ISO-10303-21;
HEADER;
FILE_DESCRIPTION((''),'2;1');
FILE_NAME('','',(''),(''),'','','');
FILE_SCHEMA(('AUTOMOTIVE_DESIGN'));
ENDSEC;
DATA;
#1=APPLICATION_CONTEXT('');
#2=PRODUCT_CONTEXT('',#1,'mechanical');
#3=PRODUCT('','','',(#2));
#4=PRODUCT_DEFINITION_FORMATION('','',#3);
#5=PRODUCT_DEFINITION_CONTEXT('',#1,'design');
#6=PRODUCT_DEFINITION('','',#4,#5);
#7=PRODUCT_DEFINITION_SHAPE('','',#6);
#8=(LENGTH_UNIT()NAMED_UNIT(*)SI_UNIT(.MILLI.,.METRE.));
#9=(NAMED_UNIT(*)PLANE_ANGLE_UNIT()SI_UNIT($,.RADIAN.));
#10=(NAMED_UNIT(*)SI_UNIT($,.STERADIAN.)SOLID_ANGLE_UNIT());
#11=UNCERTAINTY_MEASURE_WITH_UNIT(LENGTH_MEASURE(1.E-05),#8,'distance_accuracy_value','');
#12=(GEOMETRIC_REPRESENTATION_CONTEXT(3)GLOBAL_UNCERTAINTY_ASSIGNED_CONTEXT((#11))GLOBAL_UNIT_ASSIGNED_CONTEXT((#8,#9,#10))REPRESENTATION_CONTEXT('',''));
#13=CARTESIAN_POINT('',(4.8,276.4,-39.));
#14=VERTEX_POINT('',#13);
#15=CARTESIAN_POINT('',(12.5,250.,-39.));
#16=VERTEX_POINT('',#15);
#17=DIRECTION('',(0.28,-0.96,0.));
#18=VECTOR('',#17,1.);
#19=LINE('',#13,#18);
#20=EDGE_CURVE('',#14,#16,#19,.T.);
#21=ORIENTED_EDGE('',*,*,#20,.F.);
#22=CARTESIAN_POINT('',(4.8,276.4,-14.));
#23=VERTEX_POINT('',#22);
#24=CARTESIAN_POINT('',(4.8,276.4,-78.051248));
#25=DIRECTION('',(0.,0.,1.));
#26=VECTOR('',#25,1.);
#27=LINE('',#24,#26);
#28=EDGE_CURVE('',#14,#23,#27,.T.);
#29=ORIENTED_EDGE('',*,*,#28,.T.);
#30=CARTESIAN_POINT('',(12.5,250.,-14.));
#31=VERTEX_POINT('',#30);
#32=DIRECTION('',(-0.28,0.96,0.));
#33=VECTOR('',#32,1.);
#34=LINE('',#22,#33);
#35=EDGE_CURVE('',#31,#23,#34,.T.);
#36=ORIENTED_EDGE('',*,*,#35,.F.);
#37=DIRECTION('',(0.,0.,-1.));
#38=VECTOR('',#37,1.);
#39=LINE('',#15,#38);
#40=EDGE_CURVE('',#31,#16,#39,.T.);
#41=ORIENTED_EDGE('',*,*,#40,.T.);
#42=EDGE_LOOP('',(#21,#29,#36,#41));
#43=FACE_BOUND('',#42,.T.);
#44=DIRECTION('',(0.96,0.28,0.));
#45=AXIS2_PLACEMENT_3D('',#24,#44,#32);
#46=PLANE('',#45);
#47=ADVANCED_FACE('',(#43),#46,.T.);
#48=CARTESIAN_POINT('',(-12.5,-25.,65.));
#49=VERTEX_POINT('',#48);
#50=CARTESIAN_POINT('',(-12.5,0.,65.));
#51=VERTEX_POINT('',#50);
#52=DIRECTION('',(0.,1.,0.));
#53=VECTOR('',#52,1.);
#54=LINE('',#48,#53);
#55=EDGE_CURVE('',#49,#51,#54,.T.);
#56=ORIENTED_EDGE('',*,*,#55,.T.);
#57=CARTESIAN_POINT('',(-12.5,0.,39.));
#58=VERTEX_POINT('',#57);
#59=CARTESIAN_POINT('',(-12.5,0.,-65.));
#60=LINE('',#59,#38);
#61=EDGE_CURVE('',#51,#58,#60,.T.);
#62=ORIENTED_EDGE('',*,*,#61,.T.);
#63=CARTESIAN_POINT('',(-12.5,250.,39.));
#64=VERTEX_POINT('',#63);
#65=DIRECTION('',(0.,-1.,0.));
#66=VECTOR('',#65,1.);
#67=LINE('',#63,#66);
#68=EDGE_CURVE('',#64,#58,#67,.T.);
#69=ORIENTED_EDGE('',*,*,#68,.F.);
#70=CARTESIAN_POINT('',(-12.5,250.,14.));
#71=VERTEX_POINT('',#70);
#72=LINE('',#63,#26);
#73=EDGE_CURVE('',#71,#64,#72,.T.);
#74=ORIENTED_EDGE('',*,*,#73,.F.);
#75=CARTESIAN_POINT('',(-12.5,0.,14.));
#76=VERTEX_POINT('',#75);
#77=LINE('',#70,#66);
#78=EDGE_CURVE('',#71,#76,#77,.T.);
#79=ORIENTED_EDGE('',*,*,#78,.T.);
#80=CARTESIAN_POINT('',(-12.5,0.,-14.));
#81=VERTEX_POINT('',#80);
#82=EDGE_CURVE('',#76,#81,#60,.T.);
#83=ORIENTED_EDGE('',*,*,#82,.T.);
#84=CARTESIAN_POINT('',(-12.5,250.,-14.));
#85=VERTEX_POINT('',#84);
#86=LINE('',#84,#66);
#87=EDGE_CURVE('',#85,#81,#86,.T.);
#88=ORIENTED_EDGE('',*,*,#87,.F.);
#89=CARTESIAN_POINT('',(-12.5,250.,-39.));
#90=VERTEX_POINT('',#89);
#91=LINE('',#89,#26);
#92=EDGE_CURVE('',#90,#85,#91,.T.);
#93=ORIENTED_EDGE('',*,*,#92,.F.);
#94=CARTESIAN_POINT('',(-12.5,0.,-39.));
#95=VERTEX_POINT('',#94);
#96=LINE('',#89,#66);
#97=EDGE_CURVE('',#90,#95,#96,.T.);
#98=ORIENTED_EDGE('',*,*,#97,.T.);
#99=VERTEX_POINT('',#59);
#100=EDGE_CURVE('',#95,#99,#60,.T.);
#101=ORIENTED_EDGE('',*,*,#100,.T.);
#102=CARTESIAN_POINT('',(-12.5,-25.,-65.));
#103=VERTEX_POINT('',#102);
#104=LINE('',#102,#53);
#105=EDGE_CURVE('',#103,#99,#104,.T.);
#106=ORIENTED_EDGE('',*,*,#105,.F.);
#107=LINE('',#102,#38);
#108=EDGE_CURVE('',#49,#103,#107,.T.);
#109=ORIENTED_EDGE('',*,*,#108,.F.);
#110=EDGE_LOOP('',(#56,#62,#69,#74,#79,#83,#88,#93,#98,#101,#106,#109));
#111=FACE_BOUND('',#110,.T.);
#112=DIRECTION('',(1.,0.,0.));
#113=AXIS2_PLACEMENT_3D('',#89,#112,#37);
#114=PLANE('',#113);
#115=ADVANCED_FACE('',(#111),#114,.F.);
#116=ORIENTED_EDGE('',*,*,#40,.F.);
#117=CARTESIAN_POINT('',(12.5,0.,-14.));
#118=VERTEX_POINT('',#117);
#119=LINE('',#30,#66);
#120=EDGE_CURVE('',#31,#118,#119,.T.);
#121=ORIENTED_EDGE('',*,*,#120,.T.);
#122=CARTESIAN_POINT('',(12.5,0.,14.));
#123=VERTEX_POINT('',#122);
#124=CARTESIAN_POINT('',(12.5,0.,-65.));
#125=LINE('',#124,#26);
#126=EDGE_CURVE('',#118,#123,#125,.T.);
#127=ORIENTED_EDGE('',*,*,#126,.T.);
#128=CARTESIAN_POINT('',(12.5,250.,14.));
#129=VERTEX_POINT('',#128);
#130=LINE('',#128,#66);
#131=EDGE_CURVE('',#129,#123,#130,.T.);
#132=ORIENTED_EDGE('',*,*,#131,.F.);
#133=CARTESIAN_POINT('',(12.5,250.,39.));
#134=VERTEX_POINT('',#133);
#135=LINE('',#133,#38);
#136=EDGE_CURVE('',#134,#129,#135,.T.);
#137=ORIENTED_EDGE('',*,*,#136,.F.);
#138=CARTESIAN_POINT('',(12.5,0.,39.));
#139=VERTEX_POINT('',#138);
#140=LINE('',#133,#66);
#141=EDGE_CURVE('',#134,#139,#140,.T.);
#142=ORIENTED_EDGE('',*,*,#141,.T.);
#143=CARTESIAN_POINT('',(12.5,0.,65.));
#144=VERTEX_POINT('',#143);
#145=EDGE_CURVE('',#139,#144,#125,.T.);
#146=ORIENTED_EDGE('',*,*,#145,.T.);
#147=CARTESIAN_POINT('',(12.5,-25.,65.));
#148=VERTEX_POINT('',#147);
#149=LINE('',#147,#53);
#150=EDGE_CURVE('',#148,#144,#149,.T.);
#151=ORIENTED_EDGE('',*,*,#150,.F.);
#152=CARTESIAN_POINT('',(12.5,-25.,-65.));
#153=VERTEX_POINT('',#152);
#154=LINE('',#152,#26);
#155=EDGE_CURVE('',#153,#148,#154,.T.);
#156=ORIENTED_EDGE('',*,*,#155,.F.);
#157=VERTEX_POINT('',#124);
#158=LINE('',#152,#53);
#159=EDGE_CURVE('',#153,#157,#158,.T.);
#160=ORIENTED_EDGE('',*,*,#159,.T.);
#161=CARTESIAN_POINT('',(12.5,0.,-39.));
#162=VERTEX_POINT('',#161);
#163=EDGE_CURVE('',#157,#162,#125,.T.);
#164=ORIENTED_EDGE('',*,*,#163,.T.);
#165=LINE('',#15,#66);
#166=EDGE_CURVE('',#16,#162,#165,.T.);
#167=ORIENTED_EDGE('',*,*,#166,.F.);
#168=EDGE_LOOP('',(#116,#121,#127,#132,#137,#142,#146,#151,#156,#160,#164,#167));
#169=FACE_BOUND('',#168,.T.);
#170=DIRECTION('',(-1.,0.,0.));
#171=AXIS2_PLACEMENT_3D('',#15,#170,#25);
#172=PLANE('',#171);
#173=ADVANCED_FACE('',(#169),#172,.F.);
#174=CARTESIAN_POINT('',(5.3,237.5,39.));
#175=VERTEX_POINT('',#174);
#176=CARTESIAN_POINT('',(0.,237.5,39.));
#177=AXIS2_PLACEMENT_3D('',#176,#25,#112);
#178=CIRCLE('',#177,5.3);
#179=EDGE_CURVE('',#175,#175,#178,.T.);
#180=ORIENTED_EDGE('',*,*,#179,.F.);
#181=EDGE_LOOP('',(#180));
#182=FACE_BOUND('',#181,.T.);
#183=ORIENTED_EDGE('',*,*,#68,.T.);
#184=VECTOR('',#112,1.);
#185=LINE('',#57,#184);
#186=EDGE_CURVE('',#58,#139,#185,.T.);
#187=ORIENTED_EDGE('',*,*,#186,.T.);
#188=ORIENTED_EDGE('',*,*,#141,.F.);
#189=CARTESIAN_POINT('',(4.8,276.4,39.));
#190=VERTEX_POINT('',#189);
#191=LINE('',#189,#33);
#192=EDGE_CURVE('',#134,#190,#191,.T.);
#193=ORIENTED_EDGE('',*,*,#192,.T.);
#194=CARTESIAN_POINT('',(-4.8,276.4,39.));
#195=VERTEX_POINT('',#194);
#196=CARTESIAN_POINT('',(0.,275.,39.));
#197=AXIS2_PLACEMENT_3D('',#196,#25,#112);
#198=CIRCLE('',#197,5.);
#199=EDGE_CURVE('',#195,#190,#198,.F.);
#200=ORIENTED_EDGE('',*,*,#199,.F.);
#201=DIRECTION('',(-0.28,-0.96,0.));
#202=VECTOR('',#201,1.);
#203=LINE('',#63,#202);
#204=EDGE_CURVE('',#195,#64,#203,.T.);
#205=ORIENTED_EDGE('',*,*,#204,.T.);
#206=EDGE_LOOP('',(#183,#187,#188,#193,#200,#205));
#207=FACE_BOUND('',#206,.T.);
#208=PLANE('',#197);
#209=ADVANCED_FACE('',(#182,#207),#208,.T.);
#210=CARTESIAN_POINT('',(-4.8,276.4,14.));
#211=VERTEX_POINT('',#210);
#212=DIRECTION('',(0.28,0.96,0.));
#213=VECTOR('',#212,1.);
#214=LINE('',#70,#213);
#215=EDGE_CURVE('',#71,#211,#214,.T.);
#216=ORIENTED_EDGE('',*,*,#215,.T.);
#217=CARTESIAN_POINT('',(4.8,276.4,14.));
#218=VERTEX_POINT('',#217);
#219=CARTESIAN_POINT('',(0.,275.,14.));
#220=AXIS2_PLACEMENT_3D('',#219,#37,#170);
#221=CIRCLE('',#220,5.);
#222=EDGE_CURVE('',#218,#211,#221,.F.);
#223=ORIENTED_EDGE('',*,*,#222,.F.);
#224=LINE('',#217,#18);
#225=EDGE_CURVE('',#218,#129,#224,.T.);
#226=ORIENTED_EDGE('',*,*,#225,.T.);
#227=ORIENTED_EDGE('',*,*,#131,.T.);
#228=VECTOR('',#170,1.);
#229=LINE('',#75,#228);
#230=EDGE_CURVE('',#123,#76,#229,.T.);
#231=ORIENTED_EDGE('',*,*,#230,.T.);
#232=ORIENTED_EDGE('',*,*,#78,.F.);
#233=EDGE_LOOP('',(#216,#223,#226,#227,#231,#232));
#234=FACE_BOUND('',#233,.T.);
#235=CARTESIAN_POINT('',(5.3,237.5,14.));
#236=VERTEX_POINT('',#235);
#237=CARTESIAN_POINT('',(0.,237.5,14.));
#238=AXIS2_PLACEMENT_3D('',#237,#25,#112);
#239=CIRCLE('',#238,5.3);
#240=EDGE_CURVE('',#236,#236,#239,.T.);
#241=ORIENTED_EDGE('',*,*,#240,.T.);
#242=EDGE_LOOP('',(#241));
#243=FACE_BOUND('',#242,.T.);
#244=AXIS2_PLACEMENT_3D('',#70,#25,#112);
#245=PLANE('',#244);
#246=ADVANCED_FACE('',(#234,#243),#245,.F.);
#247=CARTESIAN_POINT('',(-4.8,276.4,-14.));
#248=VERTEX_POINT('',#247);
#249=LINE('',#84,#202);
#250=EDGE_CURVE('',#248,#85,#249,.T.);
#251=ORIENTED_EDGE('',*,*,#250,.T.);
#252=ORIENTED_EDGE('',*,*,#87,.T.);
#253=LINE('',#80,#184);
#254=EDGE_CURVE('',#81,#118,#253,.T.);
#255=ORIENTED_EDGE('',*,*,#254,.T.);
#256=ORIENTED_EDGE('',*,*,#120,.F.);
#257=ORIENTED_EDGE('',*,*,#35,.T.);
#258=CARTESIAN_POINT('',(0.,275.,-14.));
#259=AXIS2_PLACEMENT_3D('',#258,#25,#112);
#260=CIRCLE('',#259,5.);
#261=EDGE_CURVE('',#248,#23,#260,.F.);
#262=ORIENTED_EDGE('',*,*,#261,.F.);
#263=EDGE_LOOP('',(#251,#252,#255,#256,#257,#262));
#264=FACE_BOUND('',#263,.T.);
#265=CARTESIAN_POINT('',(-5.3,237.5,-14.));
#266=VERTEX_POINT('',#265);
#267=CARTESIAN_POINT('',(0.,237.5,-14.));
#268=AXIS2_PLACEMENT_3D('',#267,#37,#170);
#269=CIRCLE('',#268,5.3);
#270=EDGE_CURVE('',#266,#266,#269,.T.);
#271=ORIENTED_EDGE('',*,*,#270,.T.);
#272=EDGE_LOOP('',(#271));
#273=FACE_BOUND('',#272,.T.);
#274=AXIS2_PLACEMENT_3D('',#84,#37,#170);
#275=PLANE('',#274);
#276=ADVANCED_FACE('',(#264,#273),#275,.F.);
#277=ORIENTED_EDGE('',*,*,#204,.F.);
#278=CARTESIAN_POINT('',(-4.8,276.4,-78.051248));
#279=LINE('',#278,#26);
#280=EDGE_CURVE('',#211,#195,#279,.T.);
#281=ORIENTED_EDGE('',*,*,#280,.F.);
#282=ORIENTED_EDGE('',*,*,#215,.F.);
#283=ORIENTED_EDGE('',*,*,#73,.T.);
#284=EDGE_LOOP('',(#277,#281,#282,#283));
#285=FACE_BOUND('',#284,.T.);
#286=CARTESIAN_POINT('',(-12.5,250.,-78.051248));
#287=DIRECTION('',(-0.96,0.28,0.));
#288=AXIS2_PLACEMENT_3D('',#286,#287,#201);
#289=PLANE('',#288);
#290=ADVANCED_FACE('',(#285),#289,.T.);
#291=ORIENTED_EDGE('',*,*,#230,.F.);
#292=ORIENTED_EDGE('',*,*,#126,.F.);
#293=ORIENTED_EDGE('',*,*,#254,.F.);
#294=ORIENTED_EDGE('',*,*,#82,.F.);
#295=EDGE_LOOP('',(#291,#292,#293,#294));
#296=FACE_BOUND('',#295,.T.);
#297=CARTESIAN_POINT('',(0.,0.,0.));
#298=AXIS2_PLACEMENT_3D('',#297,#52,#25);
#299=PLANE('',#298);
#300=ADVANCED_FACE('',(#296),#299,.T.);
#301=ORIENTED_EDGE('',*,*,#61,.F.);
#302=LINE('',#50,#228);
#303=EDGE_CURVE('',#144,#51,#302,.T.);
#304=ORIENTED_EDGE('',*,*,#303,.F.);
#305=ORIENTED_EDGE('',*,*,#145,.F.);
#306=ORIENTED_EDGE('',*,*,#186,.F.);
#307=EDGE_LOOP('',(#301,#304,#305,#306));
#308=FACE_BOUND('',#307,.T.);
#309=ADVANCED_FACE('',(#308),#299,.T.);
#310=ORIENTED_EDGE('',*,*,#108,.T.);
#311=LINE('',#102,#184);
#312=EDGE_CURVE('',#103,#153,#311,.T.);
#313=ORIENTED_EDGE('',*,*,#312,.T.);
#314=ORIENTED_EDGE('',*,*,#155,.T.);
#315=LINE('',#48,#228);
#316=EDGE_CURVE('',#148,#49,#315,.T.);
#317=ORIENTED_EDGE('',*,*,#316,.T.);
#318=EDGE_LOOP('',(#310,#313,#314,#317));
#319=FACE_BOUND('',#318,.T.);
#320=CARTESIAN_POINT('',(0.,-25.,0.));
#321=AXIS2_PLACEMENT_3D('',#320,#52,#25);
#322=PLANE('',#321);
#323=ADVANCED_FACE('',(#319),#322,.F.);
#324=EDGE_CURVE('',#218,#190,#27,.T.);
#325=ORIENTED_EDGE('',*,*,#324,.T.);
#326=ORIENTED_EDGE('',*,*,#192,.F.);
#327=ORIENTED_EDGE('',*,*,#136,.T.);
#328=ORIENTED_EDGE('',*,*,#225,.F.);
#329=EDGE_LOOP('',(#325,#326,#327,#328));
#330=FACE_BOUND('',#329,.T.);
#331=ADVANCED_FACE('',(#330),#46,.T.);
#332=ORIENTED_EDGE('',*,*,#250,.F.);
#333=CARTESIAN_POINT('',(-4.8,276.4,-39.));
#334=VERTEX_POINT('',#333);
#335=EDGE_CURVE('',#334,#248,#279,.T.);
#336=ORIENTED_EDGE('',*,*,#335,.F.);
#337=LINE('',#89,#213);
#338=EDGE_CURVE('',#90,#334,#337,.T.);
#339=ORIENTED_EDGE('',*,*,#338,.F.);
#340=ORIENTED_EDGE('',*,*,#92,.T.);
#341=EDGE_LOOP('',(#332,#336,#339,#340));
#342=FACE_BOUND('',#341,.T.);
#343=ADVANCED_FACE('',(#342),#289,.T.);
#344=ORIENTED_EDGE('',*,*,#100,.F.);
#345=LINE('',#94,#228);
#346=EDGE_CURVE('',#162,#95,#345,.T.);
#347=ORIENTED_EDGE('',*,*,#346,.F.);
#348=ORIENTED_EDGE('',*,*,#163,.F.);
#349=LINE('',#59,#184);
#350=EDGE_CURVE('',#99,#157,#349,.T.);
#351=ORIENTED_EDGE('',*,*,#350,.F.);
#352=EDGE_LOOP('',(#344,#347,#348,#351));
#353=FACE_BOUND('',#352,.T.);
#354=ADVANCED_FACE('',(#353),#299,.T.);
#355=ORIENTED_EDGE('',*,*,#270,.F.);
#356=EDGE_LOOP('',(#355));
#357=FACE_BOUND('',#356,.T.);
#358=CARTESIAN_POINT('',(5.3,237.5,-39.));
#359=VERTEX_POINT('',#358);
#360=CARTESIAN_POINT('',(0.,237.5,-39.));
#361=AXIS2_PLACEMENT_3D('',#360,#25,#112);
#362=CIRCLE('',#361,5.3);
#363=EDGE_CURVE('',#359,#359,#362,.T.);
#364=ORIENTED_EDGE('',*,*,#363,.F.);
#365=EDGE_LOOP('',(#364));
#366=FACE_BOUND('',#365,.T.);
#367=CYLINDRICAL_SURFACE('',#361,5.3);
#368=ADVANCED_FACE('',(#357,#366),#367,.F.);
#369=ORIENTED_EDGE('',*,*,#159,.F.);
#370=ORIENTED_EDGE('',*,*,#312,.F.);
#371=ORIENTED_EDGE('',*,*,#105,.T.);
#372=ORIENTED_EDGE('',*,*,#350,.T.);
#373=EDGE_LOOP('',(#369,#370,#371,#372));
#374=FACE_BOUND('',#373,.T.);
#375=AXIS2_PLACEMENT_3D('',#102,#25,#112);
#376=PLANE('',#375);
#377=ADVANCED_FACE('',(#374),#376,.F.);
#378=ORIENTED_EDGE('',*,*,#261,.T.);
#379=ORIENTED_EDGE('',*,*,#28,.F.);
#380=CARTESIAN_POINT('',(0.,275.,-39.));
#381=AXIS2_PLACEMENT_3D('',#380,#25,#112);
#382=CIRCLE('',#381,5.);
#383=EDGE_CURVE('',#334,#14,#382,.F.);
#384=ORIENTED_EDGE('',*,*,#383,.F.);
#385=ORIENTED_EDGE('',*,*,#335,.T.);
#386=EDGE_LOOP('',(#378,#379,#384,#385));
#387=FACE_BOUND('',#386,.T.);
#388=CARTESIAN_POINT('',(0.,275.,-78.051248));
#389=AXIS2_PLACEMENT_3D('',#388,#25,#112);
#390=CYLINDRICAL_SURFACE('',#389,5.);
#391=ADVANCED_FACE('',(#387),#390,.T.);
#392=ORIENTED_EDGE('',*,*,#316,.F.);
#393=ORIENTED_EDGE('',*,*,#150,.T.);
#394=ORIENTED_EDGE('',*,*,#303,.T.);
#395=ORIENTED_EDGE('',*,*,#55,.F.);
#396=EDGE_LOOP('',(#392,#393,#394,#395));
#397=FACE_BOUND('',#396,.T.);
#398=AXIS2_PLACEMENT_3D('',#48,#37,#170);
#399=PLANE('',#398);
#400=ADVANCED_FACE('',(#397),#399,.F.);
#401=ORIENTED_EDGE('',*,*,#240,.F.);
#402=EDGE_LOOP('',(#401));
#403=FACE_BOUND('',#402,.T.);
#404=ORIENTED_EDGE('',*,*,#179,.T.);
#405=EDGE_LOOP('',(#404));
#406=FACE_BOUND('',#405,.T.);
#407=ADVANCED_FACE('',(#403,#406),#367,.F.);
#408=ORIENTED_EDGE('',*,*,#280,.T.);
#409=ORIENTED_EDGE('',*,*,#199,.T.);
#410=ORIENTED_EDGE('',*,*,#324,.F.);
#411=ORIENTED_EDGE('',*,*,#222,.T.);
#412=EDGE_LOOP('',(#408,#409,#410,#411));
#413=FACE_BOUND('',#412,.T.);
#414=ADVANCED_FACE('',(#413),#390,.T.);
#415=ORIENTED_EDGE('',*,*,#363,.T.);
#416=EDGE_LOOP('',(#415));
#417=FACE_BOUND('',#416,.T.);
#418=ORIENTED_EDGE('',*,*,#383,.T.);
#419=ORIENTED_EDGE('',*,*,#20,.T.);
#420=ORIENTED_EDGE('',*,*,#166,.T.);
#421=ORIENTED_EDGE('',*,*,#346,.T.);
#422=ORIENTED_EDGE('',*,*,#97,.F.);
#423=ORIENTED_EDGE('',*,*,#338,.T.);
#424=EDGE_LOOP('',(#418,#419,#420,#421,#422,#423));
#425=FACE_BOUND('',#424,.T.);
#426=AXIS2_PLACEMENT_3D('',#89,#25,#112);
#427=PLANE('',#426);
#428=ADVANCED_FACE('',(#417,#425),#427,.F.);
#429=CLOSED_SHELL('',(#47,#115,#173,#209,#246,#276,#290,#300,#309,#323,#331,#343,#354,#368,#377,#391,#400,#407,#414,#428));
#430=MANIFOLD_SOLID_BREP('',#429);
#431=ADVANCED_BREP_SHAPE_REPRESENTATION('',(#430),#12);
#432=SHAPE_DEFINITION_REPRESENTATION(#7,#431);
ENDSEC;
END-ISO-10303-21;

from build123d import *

# Parameters (mm, degrees)
SKETCH1_W             = 25
SKETCH1_H             = 25
BOSS_EXTRUDE1_DEPTH   = 250
BOSS_EXTRUDE1_2_DEPTH = 250
SKETCH2_R             = 5.3
CUT_EXTRUDE1_DEPTH    = 263.183618863
BOSS_EXTRUDE2_REACH   = 264.184
SKETCH4_W             = 25
SKETCH4_H             = 28
CUT_EXTRUDE2_DEPTH    = 254.332291665
BOSS_EXTRUDE3_START   = -53
SKETCH5_R             = 5
BOSS_EXTRUDE3_DEPTH   = 28
SKETCH6_W             = 25
SKETCH6_H             = 130
BOSS_EXTRUDE4_DEPTH   = 25
SKETCH7_W             = 25
SKETCH7_H             = 28
CUT_EXTRUDE3_DEPTH    = 323


with BuildPart() as part:
    # Sketch1 → Boss-Extrude1 (new body)
    with BuildSketch(Plane(origin=(0, 0, 0), x_dir=(1, 0, 0), z_dir=(0, 1, 0))):
        with Locations((0, 26.5)):
            Rectangle(SKETCH1_W, SKETCH1_H)
    extrude(amount=BOSS_EXTRUDE1_DEPTH)


with BuildPart() as body_2:
    # Sketch1 → Boss-Extrude1 2 (new body)
    with BuildSketch(Plane(origin=(0, 0, 0), x_dir=(1, 0, 0), z_dir=(0, 1, 0))):
        with Locations((0, -26.5)):
            Rectangle(SKETCH1_W, SKETCH1_H)
    extrude(amount=BOSS_EXTRUDE1_2_DEPTH)


with BuildPart() as cut_extrude1_tool:
    # Sketch2 → Cut-Extrude1 (new, through all)
    with BuildSketch(Plane.XY.offset(39)):
        with Locations((0, 237.5)):
            Circle(SKETCH2_R)
    extrude(amount=-CUT_EXTRUDE1_DEPTH)


with BuildPart() as part_1:
    add(part.part)

    # Cut-Extrude1: cut by cut_extrude1_tool
    add(cut_extrude1_tool.part, mode=Mode.SUBTRACT)

    # Boss-Extrude2: up to this face of the body (flat: up to its plane)
    boss_extrude2_end = Plane(part_1.part.faces().sort_by_distance((0, 123.388798443, -39))[0])
    # Sketch3 → Boss-Extrude2 (add, up to the picked face)
    with BuildSketch(Plane.XY.offset(39), mode=Mode.PRIVATE) as boss_extrude2_sk1:
        with BuildLine():
            Line((-12.5, 250), (-4.8, 276.4))
            ThreePointArc((-4.8, 276.4), (0, 280), (4.8, 276.4))
            Line((4.8, 276.4), (12.5, 250))
            Line((12.5, 250), (-12.5, 250))
        make_face()
    boss_extrude2_tool1 = split(extrude(boss_extrude2_sk1.sketch, amount=-BOSS_EXTRUDE2_REACH, mode=Mode.PRIVATE), bisect_by=boss_extrude2_end, keep=Keep.BOTH, mode=Mode.PRIVATE)


with BuildPart() as body_2_1:
    add(body_2.part)

    # Cut-Extrude1: cut by cut_extrude1_tool
    add(cut_extrude1_tool.part, mode=Mode.SUBTRACT)


with BuildPart() as part_2:
    add(part_1.part)

    add(body_2_1.part)  # Boss-Extrude2 merges body 2
    add(boss_extrude2_tool1.solids().sort_by(Axis((0, 262.12086, 39), (0, 0, -1)))[0])

    # Sketch4 → Cut-Extrude2 (cut, through all)
    with BuildSketch(Plane.XZ.offset(-250)):
        Rectangle(SKETCH4_W, SKETCH4_H)
    extrude(amount=-CUT_EXTRUDE2_DEPTH, mode=Mode.SUBTRACT)


with BuildPart() as cut_extrude2_piece_1:
    # of the separate pieces the step leaves, piece 1, a body of its own (cut_extrude2_pieces)
    add(part_2.part.solids().sort_by_distance((4.8, 276.4, 39))[0])



with BuildPart() as cut_extrude2_piece_2:
    # of the separate pieces the step leaves, piece 2, a body of its own (cut_extrude2_pieces)
    add(part_2.part.solids().sort_by_distance((12.5, 250, -14))[0])


with BuildPart() as cut_extrude2_piece_1_1:
    add(cut_extrude2_piece_1.part)

    add(cut_extrude2_piece_2.part)  # Boss-Extrude3 merges Cut-Extrude2 piece 2
    # Sketch5 → Boss-Extrude3 (add)
    with BuildSketch(Plane(origin=(0, 0, -39), x_dir=(-1, 0, 0), z_dir=(0, 0, -1)).offset(BOSS_EXTRUDE3_START)):
        with Locations(Location((0, 275, 0), (0, 0, 163.739795292))):
            Circle(SKETCH5_R)
    extrude(amount=BOSS_EXTRUDE3_DEPTH)

    # Sketch6 → Boss-Extrude4 (add)
    with BuildSketch(Plane.XZ):
        Rectangle(SKETCH6_W, SKETCH6_H)
    extrude(amount=BOSS_EXTRUDE4_DEPTH)

    # Sketch7 → Cut-Extrude3 (cut)
    with BuildSketch(Plane(origin=(0, 0, 0), x_dir=(1, 0, 0), z_dir=(0, 1, 0))):
        Rectangle(SKETCH7_W, SKETCH7_H)
    extrude(amount=CUT_EXTRUDE3_DEPTH, mode=Mode.SUBTRACT)


solid = cut_extrude2_piece_1_1.part
